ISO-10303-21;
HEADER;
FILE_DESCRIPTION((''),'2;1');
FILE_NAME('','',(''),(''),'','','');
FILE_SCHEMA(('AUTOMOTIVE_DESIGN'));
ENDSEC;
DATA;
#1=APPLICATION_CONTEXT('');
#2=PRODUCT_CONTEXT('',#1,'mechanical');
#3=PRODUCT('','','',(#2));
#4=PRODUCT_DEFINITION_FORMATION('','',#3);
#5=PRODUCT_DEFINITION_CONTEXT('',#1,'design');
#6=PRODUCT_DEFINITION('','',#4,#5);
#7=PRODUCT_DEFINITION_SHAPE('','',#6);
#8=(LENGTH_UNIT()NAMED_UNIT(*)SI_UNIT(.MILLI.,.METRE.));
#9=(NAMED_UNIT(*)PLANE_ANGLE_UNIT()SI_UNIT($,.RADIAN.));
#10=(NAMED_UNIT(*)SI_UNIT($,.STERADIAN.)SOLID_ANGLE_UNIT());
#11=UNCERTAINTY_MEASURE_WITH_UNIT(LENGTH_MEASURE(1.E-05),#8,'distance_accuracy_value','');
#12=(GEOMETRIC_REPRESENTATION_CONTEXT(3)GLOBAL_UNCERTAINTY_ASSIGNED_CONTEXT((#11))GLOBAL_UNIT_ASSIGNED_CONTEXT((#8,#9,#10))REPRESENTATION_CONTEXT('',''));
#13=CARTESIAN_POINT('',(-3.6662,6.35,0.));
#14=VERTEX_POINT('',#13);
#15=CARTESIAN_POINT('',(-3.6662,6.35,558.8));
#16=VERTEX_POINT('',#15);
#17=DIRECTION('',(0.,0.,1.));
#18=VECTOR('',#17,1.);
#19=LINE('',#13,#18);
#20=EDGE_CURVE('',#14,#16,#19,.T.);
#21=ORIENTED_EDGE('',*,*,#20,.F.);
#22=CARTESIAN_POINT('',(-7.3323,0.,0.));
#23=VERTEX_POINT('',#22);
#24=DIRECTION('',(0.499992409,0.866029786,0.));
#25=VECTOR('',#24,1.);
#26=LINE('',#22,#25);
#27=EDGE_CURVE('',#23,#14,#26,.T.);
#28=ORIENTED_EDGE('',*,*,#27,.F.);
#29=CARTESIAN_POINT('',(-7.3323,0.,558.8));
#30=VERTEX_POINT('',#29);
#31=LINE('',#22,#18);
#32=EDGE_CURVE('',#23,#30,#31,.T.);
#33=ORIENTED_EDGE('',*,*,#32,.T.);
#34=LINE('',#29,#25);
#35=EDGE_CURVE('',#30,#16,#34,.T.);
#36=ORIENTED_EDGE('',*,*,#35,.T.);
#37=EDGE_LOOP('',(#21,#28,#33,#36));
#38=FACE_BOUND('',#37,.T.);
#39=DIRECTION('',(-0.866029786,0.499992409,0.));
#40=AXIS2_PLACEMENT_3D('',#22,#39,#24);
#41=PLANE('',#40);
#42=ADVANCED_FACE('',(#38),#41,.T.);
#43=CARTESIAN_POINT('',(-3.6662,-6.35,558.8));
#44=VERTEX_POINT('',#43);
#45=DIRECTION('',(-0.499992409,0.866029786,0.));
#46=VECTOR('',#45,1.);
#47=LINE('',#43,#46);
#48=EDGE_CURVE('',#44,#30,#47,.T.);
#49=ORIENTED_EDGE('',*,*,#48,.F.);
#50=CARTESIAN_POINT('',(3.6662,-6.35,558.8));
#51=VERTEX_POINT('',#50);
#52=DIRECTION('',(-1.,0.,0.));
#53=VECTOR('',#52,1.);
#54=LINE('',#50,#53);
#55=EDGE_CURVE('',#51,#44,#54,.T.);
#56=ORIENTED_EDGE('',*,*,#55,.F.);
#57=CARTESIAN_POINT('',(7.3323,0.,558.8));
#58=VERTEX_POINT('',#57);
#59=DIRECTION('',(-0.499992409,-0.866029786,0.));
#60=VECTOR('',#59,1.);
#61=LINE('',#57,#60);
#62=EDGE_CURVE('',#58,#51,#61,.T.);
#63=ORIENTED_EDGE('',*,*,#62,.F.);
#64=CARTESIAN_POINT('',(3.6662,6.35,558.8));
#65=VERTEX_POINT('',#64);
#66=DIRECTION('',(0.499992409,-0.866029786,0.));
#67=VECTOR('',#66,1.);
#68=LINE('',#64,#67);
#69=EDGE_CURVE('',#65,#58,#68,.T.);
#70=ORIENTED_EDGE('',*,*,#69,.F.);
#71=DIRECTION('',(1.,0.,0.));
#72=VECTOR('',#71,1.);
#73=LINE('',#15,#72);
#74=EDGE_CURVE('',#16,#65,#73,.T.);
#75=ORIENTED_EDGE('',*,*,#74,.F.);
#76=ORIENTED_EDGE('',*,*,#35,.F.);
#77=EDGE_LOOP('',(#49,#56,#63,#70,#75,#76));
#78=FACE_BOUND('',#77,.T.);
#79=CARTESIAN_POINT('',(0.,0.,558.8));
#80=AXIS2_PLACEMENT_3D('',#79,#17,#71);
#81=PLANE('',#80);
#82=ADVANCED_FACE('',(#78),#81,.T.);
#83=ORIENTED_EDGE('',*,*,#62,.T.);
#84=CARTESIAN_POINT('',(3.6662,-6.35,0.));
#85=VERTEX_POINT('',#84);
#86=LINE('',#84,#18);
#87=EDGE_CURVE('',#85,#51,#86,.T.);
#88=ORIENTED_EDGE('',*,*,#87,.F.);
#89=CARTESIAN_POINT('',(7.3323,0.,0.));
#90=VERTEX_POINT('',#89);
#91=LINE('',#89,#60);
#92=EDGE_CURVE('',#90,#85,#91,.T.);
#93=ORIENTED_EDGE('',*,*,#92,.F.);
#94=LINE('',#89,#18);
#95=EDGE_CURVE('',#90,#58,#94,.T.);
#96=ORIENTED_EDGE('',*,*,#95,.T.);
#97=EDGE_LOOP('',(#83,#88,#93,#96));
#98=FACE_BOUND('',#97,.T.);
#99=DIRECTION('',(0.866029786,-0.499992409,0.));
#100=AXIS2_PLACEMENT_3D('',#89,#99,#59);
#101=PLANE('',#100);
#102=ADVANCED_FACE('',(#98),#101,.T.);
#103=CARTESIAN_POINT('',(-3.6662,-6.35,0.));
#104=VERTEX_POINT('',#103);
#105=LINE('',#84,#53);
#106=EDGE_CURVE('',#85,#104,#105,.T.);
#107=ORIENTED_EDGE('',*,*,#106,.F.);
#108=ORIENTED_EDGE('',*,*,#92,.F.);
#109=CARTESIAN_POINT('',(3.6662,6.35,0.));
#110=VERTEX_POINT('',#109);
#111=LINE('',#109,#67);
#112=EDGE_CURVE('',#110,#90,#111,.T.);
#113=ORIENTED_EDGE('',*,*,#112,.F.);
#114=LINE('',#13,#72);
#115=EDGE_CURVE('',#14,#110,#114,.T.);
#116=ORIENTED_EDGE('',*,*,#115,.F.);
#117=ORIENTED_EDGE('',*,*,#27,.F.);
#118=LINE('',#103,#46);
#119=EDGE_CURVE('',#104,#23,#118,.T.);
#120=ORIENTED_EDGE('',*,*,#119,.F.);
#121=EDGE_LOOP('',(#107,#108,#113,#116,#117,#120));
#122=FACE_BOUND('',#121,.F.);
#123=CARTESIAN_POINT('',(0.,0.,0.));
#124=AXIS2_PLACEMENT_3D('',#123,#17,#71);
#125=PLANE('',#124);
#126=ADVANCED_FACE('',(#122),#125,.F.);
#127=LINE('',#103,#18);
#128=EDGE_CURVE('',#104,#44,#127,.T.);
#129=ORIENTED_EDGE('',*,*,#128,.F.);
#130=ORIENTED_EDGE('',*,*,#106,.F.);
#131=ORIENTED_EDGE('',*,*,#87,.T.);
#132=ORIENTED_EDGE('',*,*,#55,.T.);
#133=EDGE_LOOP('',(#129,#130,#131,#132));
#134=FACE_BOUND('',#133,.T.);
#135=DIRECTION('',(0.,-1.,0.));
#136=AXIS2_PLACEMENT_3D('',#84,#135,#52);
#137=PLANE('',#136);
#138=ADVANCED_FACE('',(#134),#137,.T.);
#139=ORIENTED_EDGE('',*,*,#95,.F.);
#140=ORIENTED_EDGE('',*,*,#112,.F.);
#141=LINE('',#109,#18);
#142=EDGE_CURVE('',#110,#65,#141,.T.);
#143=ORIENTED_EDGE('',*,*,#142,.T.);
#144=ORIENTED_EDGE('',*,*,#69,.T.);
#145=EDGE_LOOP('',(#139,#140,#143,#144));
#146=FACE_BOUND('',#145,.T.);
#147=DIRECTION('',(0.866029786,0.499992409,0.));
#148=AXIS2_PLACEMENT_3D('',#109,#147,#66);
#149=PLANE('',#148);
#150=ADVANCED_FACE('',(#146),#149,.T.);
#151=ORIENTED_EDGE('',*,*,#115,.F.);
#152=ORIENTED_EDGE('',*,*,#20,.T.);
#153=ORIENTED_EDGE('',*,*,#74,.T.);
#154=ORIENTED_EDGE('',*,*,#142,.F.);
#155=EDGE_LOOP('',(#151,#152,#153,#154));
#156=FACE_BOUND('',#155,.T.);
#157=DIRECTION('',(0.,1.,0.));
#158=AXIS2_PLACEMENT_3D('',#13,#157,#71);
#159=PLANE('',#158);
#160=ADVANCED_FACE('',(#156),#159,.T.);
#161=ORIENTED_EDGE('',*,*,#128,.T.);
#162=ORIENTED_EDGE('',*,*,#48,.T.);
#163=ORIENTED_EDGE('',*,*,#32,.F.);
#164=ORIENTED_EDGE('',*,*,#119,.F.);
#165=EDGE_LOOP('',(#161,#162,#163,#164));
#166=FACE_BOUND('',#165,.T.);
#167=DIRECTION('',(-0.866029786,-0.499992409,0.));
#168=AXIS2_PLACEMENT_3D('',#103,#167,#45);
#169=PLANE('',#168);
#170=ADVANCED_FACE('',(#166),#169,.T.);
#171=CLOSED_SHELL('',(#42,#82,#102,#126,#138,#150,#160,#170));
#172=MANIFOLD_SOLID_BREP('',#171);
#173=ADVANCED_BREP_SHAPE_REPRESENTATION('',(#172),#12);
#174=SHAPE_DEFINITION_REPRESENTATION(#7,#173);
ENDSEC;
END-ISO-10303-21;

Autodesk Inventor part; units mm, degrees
ref_plane "YZ Plane" through (0, 0, 0) normal (1, 0, 0) x (0, 1, 0)
ref_plane "XZ Plane" through (0, 0, 0) normal (0, 1, 0) x (-1, 0, 0)
ref_plane "XY Plane" through (0, 0, 0) normal (0, 0, 1) x (1, 0, 0)
sketch "Sketch1" plane through (0, 0, 0) normal (0, 0, 1) x (1, 0, 0)
  line L0 (3.6662, 6.35) -> (7.3323, 0)
  line L1 (7.3323, 0) -> (3.6662, -6.35)
  line L2 (3.6662, -6.35) -> (-3.6662, -6.35)
  line L3 (-3.6662, -6.35) -> (-7.3323, 0)
  line L4 (-7.3323, 0) -> (-3.6662, 6.35)
  line L5 (-3.6662, 6.35) -> (3.6662, 6.35)
  point P0 (0, 0)
  point P1 (0, 0)
  dimension "d0" = 12.7
extrude "Extrusion1" add sketch "Sketch1" along normal blind 558.8
properties part number "hex rod 22 inch" material "Steel, Alloy"
